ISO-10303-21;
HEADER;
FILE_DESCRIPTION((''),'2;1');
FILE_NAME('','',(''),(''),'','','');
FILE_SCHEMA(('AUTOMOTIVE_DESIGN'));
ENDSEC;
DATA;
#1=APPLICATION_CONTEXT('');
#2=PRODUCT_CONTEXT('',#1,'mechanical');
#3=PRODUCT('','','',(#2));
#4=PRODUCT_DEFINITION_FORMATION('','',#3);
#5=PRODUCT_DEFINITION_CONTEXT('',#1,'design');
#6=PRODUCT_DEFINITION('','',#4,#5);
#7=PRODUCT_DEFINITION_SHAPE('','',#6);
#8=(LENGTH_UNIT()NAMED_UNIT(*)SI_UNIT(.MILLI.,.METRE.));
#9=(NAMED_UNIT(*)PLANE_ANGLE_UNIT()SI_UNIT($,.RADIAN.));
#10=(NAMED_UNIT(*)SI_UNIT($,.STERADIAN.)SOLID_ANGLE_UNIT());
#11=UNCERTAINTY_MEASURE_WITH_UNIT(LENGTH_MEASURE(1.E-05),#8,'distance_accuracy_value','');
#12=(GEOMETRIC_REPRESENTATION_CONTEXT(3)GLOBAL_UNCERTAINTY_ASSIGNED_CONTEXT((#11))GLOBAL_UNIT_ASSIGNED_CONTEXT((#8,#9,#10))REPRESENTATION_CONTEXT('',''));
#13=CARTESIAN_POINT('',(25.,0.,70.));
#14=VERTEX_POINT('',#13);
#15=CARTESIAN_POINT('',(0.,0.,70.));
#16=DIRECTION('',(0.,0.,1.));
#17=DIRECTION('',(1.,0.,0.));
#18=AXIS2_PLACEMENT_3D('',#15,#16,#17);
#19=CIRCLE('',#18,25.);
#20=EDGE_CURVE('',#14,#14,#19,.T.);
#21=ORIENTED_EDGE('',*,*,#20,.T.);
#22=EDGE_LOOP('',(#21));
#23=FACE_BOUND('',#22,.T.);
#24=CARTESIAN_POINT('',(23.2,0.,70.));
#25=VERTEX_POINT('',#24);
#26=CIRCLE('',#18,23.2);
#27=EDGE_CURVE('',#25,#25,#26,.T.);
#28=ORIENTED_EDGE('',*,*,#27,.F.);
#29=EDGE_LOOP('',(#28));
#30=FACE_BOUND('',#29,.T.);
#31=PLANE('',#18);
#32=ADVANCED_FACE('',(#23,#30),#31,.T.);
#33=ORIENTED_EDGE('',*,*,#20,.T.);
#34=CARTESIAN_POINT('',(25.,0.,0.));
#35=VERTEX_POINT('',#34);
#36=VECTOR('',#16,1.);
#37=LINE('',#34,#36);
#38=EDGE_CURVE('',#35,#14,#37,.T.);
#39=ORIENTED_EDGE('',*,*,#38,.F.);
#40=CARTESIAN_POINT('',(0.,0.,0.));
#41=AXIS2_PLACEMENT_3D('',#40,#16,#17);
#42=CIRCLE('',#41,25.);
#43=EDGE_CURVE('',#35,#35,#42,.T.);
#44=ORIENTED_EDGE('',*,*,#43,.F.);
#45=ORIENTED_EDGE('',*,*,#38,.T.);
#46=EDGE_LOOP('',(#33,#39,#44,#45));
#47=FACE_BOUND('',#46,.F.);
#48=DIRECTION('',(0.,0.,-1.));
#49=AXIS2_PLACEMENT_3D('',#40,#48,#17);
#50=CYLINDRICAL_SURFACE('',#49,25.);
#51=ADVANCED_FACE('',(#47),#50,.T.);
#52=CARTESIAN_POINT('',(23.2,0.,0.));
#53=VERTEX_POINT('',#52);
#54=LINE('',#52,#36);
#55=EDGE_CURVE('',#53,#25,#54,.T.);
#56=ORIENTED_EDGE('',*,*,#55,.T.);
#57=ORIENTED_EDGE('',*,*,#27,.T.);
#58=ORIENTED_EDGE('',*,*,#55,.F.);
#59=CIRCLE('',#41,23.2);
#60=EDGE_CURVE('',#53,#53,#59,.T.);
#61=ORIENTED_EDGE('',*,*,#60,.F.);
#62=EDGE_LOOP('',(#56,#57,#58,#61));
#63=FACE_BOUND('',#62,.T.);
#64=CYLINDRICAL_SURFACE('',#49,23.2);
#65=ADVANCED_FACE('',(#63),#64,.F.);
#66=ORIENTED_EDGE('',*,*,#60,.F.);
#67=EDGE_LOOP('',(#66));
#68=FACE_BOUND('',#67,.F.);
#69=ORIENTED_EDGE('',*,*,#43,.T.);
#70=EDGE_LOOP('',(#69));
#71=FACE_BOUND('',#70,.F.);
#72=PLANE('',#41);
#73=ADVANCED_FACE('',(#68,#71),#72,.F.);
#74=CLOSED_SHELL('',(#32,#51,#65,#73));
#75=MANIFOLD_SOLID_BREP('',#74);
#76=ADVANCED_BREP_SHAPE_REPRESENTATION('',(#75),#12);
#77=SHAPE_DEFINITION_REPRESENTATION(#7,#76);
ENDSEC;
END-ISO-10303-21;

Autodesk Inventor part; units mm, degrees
ref_plane "YZ Plane" through (0, 0, 0) normal (1, 0, 0) x (0, 1, 0)
ref_plane "XZ Plane" through (0, 0, 0) normal (0, 1, 0) x (-1, 0, 0)
ref_plane "XY Plane" through (0, 0, 0) normal (0, 0, 1) x (1, 0, 0)
sketch "Эскиз1" plane through (0, 0, 0) normal (0, 0, 1) x (1, 0, 0)
  circle A0 centre (0, 0) radius 25
  circle A1 centre (0, 0) radius 23.2
  dimension "d0" = 50
  dimension "d1" = 46.4
extrude "Выдавливание1" add sketch "Эскиз1" along normal blind 70
properties part number "Барабан катушки"
